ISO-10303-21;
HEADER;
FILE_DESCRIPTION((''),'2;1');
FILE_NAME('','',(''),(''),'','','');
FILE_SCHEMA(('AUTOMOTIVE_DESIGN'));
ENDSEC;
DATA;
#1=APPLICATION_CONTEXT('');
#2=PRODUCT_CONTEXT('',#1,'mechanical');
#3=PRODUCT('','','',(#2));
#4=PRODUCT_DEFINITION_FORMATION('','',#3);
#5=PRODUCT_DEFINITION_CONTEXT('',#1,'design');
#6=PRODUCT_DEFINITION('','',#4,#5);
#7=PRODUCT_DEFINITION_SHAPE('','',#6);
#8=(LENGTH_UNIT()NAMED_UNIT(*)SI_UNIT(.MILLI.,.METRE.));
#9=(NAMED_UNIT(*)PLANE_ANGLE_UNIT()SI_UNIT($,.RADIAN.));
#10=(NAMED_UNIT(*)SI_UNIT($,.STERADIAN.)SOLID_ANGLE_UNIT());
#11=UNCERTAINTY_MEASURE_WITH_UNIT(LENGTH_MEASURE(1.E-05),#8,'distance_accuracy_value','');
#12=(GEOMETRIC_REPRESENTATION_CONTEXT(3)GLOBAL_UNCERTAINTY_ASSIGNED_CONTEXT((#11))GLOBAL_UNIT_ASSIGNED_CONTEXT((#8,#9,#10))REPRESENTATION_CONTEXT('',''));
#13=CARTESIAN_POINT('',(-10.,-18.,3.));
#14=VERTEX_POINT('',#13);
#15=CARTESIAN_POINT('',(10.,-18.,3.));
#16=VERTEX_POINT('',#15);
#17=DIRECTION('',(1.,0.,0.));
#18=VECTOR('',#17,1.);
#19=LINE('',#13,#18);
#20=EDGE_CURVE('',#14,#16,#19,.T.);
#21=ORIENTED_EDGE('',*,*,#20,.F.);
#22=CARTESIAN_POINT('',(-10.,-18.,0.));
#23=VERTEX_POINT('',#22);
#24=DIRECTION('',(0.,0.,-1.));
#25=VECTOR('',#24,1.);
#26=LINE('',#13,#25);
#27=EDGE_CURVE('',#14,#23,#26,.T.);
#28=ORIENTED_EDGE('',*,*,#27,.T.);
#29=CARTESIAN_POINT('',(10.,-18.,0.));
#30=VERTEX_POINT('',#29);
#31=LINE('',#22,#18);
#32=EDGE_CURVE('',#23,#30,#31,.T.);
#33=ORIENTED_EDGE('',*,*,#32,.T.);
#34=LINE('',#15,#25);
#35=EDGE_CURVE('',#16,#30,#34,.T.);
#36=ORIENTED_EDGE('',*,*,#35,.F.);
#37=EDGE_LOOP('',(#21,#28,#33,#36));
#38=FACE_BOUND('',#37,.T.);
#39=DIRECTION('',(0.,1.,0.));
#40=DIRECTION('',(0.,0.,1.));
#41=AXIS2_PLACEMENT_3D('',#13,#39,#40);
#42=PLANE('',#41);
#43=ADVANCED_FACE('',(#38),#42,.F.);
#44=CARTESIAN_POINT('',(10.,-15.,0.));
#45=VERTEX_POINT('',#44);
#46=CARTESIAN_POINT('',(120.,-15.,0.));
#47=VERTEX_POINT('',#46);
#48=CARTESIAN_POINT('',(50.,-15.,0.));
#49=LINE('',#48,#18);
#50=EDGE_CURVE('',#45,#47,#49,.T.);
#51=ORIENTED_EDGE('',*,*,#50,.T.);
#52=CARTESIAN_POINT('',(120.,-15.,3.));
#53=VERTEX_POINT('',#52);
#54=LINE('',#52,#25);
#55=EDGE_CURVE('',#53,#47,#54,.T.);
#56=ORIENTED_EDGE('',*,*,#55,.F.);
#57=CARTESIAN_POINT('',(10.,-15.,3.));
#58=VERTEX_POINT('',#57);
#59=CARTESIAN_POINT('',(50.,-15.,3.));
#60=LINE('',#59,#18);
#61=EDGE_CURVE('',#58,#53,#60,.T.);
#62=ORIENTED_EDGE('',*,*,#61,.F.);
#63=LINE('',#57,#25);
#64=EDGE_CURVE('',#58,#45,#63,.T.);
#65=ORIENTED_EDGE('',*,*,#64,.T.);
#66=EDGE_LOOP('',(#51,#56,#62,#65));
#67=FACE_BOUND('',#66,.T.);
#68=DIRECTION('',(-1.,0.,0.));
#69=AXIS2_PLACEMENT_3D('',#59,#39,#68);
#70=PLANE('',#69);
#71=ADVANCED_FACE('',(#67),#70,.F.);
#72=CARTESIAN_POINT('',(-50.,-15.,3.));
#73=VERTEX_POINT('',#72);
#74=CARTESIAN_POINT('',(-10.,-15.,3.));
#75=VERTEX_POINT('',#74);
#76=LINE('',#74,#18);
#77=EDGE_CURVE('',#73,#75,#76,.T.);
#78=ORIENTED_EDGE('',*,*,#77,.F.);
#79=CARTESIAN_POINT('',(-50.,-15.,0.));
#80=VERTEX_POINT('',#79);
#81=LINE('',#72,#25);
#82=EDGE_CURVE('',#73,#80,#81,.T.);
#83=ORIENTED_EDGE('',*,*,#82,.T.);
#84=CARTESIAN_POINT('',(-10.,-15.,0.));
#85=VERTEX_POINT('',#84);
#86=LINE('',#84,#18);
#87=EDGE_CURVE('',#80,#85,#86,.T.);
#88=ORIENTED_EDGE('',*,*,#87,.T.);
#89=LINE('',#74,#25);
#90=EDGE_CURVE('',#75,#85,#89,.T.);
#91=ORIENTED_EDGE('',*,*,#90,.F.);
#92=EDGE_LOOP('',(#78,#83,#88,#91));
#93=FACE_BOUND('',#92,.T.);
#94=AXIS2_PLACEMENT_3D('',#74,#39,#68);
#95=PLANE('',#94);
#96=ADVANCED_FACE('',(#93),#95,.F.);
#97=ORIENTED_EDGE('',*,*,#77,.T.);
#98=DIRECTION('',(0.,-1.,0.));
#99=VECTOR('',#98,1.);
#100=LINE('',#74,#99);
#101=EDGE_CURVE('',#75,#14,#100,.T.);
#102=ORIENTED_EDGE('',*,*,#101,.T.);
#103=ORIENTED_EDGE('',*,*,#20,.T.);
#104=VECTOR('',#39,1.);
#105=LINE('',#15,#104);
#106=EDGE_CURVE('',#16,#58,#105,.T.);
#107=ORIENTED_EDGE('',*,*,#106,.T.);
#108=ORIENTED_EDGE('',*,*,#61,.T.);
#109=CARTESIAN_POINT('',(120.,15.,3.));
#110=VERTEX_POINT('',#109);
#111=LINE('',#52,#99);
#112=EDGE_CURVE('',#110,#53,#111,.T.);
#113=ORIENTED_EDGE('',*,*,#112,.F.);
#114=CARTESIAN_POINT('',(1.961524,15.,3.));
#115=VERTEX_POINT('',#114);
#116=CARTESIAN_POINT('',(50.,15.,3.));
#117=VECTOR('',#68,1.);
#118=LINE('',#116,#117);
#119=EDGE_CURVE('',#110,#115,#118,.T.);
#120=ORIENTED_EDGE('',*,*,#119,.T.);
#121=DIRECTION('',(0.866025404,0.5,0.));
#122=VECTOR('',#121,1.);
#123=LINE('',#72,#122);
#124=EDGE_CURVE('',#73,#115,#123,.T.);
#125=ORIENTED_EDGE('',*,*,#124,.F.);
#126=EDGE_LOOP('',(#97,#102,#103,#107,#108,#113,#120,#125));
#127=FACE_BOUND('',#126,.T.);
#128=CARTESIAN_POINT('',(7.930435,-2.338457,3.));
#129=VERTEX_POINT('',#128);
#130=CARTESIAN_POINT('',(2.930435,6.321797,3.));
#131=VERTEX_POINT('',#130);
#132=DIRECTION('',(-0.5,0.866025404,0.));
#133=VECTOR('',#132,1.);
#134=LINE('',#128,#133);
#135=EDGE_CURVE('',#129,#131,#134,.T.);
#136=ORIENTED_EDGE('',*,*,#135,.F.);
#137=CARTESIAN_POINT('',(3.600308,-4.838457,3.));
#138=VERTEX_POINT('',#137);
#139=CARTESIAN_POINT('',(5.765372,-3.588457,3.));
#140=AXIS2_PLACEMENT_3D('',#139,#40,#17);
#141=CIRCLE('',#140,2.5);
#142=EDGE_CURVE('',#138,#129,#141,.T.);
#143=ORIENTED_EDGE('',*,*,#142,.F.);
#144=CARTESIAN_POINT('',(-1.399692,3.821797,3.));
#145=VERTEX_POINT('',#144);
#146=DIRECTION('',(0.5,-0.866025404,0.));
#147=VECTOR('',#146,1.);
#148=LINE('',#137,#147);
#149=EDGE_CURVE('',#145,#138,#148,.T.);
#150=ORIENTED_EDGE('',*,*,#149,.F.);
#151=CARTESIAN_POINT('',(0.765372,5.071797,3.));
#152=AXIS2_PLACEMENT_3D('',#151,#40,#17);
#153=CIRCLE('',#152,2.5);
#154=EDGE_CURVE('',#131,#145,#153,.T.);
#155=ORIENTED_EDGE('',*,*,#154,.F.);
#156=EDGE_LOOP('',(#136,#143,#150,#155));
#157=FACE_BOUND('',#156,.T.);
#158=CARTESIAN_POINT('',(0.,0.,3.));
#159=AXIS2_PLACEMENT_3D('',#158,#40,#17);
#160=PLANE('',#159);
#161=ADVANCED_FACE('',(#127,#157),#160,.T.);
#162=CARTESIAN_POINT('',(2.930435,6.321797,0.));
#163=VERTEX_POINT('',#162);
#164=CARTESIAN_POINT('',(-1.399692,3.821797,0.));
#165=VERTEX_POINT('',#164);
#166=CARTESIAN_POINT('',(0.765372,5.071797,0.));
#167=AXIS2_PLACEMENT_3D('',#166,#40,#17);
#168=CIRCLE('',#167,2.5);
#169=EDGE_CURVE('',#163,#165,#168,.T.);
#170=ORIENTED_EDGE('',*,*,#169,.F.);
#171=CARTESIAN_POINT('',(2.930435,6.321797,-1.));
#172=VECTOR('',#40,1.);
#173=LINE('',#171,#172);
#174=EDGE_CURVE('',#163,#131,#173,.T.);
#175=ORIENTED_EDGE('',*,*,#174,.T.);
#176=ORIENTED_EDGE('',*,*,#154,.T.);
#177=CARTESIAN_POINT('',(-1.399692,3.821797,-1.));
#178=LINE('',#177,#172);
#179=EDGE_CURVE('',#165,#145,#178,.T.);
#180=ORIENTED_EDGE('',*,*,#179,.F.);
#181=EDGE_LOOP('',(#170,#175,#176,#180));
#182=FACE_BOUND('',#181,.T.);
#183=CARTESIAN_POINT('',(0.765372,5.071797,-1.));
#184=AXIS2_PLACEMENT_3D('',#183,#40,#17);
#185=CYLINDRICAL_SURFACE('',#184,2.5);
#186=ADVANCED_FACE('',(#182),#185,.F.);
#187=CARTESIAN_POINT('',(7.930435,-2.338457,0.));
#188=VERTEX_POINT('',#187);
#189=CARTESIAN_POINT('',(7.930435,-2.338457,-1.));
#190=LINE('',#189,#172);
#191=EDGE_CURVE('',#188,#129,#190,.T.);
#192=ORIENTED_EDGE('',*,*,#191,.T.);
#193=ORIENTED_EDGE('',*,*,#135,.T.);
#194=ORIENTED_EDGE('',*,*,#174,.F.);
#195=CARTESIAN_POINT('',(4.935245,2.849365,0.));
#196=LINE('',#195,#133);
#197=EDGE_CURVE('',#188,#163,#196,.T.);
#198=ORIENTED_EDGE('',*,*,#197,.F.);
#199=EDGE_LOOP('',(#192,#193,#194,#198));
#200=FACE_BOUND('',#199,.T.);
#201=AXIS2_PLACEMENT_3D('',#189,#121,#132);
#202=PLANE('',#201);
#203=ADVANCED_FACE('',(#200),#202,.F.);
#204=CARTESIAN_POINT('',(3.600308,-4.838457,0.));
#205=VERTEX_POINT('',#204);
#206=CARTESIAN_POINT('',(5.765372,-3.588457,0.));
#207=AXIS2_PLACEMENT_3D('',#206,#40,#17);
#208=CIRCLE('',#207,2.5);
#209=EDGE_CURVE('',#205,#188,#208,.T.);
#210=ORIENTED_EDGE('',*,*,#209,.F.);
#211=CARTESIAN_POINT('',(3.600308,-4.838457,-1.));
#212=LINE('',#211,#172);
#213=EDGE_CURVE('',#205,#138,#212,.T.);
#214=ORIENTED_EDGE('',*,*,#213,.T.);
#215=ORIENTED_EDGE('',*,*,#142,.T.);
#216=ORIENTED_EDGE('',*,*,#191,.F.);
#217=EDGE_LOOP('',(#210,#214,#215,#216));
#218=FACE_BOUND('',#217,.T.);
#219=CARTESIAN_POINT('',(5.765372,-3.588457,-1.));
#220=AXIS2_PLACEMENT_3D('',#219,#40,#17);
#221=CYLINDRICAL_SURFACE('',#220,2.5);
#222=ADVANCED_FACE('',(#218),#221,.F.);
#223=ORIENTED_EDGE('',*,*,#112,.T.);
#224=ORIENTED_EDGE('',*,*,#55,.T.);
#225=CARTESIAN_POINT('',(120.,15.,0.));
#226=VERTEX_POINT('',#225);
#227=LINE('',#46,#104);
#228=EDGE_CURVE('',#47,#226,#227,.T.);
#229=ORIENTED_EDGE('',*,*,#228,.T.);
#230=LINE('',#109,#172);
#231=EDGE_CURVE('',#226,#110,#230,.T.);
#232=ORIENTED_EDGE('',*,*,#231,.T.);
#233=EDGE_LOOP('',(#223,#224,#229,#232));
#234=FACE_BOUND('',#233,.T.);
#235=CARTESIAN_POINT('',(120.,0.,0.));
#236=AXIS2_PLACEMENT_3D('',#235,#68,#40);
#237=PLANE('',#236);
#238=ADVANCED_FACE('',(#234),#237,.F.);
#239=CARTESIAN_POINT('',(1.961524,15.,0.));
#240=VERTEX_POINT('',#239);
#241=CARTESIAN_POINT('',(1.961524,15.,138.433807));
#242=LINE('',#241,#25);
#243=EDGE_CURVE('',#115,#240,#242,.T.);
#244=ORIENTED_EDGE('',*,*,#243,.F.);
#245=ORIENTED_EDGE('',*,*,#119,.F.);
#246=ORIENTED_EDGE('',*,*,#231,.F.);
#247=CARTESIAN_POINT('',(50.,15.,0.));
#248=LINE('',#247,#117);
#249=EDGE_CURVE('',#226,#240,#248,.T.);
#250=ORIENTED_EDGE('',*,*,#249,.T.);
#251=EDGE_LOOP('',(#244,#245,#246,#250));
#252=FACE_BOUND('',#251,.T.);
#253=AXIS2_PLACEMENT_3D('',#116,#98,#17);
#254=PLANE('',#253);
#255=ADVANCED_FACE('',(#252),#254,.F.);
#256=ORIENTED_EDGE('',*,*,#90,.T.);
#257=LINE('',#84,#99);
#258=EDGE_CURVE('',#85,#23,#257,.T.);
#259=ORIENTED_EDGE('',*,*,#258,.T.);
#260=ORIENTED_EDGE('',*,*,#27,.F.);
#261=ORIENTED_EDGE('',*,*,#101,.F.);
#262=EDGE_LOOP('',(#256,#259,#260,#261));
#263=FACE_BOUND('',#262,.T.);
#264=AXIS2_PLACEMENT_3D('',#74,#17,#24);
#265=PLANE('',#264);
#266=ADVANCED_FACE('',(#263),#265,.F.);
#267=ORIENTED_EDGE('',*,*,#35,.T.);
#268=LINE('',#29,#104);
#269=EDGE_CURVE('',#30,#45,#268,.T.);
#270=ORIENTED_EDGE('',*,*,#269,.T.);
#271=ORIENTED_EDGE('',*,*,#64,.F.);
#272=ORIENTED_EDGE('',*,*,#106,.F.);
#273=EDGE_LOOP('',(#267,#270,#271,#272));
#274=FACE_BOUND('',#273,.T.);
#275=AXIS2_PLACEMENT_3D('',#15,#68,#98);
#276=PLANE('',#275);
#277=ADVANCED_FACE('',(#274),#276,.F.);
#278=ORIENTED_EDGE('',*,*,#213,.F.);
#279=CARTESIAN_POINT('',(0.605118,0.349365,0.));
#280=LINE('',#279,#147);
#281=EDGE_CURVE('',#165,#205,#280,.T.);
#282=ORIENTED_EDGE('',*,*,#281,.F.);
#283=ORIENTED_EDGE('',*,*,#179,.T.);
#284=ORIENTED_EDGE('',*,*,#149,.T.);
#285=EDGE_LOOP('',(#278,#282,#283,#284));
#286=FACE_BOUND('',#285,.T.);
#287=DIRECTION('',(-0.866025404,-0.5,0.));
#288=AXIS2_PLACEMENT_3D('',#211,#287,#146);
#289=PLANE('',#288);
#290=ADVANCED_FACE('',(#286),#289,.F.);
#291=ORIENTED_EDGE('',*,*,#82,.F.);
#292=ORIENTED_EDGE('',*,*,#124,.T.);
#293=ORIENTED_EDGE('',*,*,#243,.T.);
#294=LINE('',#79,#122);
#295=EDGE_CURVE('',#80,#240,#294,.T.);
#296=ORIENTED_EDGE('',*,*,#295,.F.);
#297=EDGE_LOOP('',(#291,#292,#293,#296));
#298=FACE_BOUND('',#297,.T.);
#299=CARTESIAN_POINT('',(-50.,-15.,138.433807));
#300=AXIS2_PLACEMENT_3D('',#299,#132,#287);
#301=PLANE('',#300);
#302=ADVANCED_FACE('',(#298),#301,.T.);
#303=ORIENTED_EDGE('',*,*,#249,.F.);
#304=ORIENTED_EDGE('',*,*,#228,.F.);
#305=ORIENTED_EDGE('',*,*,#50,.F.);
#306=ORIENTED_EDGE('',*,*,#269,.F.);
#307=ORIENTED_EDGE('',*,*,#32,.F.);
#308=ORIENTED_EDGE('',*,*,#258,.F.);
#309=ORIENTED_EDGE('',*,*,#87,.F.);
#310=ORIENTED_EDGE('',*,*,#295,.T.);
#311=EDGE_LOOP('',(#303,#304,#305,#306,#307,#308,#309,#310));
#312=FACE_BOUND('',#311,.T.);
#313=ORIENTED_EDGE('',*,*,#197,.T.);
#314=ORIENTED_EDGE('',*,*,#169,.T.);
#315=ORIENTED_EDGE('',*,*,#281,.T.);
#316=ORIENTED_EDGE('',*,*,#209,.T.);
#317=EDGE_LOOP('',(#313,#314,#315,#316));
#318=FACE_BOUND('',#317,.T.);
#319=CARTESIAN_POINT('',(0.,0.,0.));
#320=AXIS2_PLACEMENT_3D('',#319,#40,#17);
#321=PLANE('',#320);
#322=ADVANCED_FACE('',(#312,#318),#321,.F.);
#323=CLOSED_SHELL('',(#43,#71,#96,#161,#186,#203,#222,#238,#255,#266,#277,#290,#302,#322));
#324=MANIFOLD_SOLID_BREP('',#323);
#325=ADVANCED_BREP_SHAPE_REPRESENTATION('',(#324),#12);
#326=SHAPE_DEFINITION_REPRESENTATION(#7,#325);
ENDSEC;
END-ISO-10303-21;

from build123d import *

# Parameters (mm, degrees)
BOSS_EXTRUDE1_DEPTH     = 3
CUT_EXTRUDE3_DEPTH      = 1
CUT_EXTRUDE3_DEPTH_BACK = 3
CUT_EXTRUDE4_DEPTH      = 4
SKETCH6_W               = 3
SKETCH6_H               = 30
BOSS_EXTRUDE2_DEPTH     = 70


with BuildPart() as part:
    # Sketch1 → Boss-Extrude1 (new body)
    with BuildSketch(Plane.XY):
        Polygon((-10, -15), (-10, -18), (10, -18), (10, -15), (50, -15), (50, 15), (-50, 15), (-50, -15), align=None)
    extrude(amount=BOSS_EXTRUDE1_DEPTH)

    # Sketch4 → Cut-Extrude3 (cut, two sides)
    with BuildSketch(Plane.XY.offset(3)) as cut_extrude3_sk:
        Polygon((-50, -14.220304878), (-50, -15), (1.961524227, 15), (-50, 15), align=None)
    extrude(amount=CUT_EXTRUDE3_DEPTH, mode=Mode.SUBTRACT)
    extrude(cut_extrude3_sk.sketch, amount=-CUT_EXTRUDE3_DEPTH_BACK, mode=Mode.SUBTRACT)

    # Sketch5 → Cut-Extrude4 (cut)
    with BuildSketch(Plane.XY.offset(3)):
        with BuildLine():
            Line((7.930435314, -2.338457268), (2.930435314, 6.32179677))
            ThreePointArc((2.930435314, 6.32179677), (-0.484628196, 7.236860279), (-1.399691705, 3.82179677))
            Line((-1.399691705, 3.82179677), (3.600308295, -4.838457268))
            ThreePointArc((3.600308295, -4.838457268), (7.015371804, -5.753520778), (7.930435314, -2.338457268))
        make_face()
    extrude(amount=-CUT_EXTRUDE4_DEPTH, mode=Mode.SUBTRACT)

    # Sketch6 → Boss-Extrude2 (add)
    with BuildSketch(Plane(origin=(50, 0, 0), x_dir=(0, 0, -1), z_dir=(1, 0, 0))):
        with Locations((-1.5, 0)):
            Rectangle(SKETCH6_W, SKETCH6_H)
    extrude(amount=BOSS_EXTRUDE2_DEPTH)


solid = part.part
